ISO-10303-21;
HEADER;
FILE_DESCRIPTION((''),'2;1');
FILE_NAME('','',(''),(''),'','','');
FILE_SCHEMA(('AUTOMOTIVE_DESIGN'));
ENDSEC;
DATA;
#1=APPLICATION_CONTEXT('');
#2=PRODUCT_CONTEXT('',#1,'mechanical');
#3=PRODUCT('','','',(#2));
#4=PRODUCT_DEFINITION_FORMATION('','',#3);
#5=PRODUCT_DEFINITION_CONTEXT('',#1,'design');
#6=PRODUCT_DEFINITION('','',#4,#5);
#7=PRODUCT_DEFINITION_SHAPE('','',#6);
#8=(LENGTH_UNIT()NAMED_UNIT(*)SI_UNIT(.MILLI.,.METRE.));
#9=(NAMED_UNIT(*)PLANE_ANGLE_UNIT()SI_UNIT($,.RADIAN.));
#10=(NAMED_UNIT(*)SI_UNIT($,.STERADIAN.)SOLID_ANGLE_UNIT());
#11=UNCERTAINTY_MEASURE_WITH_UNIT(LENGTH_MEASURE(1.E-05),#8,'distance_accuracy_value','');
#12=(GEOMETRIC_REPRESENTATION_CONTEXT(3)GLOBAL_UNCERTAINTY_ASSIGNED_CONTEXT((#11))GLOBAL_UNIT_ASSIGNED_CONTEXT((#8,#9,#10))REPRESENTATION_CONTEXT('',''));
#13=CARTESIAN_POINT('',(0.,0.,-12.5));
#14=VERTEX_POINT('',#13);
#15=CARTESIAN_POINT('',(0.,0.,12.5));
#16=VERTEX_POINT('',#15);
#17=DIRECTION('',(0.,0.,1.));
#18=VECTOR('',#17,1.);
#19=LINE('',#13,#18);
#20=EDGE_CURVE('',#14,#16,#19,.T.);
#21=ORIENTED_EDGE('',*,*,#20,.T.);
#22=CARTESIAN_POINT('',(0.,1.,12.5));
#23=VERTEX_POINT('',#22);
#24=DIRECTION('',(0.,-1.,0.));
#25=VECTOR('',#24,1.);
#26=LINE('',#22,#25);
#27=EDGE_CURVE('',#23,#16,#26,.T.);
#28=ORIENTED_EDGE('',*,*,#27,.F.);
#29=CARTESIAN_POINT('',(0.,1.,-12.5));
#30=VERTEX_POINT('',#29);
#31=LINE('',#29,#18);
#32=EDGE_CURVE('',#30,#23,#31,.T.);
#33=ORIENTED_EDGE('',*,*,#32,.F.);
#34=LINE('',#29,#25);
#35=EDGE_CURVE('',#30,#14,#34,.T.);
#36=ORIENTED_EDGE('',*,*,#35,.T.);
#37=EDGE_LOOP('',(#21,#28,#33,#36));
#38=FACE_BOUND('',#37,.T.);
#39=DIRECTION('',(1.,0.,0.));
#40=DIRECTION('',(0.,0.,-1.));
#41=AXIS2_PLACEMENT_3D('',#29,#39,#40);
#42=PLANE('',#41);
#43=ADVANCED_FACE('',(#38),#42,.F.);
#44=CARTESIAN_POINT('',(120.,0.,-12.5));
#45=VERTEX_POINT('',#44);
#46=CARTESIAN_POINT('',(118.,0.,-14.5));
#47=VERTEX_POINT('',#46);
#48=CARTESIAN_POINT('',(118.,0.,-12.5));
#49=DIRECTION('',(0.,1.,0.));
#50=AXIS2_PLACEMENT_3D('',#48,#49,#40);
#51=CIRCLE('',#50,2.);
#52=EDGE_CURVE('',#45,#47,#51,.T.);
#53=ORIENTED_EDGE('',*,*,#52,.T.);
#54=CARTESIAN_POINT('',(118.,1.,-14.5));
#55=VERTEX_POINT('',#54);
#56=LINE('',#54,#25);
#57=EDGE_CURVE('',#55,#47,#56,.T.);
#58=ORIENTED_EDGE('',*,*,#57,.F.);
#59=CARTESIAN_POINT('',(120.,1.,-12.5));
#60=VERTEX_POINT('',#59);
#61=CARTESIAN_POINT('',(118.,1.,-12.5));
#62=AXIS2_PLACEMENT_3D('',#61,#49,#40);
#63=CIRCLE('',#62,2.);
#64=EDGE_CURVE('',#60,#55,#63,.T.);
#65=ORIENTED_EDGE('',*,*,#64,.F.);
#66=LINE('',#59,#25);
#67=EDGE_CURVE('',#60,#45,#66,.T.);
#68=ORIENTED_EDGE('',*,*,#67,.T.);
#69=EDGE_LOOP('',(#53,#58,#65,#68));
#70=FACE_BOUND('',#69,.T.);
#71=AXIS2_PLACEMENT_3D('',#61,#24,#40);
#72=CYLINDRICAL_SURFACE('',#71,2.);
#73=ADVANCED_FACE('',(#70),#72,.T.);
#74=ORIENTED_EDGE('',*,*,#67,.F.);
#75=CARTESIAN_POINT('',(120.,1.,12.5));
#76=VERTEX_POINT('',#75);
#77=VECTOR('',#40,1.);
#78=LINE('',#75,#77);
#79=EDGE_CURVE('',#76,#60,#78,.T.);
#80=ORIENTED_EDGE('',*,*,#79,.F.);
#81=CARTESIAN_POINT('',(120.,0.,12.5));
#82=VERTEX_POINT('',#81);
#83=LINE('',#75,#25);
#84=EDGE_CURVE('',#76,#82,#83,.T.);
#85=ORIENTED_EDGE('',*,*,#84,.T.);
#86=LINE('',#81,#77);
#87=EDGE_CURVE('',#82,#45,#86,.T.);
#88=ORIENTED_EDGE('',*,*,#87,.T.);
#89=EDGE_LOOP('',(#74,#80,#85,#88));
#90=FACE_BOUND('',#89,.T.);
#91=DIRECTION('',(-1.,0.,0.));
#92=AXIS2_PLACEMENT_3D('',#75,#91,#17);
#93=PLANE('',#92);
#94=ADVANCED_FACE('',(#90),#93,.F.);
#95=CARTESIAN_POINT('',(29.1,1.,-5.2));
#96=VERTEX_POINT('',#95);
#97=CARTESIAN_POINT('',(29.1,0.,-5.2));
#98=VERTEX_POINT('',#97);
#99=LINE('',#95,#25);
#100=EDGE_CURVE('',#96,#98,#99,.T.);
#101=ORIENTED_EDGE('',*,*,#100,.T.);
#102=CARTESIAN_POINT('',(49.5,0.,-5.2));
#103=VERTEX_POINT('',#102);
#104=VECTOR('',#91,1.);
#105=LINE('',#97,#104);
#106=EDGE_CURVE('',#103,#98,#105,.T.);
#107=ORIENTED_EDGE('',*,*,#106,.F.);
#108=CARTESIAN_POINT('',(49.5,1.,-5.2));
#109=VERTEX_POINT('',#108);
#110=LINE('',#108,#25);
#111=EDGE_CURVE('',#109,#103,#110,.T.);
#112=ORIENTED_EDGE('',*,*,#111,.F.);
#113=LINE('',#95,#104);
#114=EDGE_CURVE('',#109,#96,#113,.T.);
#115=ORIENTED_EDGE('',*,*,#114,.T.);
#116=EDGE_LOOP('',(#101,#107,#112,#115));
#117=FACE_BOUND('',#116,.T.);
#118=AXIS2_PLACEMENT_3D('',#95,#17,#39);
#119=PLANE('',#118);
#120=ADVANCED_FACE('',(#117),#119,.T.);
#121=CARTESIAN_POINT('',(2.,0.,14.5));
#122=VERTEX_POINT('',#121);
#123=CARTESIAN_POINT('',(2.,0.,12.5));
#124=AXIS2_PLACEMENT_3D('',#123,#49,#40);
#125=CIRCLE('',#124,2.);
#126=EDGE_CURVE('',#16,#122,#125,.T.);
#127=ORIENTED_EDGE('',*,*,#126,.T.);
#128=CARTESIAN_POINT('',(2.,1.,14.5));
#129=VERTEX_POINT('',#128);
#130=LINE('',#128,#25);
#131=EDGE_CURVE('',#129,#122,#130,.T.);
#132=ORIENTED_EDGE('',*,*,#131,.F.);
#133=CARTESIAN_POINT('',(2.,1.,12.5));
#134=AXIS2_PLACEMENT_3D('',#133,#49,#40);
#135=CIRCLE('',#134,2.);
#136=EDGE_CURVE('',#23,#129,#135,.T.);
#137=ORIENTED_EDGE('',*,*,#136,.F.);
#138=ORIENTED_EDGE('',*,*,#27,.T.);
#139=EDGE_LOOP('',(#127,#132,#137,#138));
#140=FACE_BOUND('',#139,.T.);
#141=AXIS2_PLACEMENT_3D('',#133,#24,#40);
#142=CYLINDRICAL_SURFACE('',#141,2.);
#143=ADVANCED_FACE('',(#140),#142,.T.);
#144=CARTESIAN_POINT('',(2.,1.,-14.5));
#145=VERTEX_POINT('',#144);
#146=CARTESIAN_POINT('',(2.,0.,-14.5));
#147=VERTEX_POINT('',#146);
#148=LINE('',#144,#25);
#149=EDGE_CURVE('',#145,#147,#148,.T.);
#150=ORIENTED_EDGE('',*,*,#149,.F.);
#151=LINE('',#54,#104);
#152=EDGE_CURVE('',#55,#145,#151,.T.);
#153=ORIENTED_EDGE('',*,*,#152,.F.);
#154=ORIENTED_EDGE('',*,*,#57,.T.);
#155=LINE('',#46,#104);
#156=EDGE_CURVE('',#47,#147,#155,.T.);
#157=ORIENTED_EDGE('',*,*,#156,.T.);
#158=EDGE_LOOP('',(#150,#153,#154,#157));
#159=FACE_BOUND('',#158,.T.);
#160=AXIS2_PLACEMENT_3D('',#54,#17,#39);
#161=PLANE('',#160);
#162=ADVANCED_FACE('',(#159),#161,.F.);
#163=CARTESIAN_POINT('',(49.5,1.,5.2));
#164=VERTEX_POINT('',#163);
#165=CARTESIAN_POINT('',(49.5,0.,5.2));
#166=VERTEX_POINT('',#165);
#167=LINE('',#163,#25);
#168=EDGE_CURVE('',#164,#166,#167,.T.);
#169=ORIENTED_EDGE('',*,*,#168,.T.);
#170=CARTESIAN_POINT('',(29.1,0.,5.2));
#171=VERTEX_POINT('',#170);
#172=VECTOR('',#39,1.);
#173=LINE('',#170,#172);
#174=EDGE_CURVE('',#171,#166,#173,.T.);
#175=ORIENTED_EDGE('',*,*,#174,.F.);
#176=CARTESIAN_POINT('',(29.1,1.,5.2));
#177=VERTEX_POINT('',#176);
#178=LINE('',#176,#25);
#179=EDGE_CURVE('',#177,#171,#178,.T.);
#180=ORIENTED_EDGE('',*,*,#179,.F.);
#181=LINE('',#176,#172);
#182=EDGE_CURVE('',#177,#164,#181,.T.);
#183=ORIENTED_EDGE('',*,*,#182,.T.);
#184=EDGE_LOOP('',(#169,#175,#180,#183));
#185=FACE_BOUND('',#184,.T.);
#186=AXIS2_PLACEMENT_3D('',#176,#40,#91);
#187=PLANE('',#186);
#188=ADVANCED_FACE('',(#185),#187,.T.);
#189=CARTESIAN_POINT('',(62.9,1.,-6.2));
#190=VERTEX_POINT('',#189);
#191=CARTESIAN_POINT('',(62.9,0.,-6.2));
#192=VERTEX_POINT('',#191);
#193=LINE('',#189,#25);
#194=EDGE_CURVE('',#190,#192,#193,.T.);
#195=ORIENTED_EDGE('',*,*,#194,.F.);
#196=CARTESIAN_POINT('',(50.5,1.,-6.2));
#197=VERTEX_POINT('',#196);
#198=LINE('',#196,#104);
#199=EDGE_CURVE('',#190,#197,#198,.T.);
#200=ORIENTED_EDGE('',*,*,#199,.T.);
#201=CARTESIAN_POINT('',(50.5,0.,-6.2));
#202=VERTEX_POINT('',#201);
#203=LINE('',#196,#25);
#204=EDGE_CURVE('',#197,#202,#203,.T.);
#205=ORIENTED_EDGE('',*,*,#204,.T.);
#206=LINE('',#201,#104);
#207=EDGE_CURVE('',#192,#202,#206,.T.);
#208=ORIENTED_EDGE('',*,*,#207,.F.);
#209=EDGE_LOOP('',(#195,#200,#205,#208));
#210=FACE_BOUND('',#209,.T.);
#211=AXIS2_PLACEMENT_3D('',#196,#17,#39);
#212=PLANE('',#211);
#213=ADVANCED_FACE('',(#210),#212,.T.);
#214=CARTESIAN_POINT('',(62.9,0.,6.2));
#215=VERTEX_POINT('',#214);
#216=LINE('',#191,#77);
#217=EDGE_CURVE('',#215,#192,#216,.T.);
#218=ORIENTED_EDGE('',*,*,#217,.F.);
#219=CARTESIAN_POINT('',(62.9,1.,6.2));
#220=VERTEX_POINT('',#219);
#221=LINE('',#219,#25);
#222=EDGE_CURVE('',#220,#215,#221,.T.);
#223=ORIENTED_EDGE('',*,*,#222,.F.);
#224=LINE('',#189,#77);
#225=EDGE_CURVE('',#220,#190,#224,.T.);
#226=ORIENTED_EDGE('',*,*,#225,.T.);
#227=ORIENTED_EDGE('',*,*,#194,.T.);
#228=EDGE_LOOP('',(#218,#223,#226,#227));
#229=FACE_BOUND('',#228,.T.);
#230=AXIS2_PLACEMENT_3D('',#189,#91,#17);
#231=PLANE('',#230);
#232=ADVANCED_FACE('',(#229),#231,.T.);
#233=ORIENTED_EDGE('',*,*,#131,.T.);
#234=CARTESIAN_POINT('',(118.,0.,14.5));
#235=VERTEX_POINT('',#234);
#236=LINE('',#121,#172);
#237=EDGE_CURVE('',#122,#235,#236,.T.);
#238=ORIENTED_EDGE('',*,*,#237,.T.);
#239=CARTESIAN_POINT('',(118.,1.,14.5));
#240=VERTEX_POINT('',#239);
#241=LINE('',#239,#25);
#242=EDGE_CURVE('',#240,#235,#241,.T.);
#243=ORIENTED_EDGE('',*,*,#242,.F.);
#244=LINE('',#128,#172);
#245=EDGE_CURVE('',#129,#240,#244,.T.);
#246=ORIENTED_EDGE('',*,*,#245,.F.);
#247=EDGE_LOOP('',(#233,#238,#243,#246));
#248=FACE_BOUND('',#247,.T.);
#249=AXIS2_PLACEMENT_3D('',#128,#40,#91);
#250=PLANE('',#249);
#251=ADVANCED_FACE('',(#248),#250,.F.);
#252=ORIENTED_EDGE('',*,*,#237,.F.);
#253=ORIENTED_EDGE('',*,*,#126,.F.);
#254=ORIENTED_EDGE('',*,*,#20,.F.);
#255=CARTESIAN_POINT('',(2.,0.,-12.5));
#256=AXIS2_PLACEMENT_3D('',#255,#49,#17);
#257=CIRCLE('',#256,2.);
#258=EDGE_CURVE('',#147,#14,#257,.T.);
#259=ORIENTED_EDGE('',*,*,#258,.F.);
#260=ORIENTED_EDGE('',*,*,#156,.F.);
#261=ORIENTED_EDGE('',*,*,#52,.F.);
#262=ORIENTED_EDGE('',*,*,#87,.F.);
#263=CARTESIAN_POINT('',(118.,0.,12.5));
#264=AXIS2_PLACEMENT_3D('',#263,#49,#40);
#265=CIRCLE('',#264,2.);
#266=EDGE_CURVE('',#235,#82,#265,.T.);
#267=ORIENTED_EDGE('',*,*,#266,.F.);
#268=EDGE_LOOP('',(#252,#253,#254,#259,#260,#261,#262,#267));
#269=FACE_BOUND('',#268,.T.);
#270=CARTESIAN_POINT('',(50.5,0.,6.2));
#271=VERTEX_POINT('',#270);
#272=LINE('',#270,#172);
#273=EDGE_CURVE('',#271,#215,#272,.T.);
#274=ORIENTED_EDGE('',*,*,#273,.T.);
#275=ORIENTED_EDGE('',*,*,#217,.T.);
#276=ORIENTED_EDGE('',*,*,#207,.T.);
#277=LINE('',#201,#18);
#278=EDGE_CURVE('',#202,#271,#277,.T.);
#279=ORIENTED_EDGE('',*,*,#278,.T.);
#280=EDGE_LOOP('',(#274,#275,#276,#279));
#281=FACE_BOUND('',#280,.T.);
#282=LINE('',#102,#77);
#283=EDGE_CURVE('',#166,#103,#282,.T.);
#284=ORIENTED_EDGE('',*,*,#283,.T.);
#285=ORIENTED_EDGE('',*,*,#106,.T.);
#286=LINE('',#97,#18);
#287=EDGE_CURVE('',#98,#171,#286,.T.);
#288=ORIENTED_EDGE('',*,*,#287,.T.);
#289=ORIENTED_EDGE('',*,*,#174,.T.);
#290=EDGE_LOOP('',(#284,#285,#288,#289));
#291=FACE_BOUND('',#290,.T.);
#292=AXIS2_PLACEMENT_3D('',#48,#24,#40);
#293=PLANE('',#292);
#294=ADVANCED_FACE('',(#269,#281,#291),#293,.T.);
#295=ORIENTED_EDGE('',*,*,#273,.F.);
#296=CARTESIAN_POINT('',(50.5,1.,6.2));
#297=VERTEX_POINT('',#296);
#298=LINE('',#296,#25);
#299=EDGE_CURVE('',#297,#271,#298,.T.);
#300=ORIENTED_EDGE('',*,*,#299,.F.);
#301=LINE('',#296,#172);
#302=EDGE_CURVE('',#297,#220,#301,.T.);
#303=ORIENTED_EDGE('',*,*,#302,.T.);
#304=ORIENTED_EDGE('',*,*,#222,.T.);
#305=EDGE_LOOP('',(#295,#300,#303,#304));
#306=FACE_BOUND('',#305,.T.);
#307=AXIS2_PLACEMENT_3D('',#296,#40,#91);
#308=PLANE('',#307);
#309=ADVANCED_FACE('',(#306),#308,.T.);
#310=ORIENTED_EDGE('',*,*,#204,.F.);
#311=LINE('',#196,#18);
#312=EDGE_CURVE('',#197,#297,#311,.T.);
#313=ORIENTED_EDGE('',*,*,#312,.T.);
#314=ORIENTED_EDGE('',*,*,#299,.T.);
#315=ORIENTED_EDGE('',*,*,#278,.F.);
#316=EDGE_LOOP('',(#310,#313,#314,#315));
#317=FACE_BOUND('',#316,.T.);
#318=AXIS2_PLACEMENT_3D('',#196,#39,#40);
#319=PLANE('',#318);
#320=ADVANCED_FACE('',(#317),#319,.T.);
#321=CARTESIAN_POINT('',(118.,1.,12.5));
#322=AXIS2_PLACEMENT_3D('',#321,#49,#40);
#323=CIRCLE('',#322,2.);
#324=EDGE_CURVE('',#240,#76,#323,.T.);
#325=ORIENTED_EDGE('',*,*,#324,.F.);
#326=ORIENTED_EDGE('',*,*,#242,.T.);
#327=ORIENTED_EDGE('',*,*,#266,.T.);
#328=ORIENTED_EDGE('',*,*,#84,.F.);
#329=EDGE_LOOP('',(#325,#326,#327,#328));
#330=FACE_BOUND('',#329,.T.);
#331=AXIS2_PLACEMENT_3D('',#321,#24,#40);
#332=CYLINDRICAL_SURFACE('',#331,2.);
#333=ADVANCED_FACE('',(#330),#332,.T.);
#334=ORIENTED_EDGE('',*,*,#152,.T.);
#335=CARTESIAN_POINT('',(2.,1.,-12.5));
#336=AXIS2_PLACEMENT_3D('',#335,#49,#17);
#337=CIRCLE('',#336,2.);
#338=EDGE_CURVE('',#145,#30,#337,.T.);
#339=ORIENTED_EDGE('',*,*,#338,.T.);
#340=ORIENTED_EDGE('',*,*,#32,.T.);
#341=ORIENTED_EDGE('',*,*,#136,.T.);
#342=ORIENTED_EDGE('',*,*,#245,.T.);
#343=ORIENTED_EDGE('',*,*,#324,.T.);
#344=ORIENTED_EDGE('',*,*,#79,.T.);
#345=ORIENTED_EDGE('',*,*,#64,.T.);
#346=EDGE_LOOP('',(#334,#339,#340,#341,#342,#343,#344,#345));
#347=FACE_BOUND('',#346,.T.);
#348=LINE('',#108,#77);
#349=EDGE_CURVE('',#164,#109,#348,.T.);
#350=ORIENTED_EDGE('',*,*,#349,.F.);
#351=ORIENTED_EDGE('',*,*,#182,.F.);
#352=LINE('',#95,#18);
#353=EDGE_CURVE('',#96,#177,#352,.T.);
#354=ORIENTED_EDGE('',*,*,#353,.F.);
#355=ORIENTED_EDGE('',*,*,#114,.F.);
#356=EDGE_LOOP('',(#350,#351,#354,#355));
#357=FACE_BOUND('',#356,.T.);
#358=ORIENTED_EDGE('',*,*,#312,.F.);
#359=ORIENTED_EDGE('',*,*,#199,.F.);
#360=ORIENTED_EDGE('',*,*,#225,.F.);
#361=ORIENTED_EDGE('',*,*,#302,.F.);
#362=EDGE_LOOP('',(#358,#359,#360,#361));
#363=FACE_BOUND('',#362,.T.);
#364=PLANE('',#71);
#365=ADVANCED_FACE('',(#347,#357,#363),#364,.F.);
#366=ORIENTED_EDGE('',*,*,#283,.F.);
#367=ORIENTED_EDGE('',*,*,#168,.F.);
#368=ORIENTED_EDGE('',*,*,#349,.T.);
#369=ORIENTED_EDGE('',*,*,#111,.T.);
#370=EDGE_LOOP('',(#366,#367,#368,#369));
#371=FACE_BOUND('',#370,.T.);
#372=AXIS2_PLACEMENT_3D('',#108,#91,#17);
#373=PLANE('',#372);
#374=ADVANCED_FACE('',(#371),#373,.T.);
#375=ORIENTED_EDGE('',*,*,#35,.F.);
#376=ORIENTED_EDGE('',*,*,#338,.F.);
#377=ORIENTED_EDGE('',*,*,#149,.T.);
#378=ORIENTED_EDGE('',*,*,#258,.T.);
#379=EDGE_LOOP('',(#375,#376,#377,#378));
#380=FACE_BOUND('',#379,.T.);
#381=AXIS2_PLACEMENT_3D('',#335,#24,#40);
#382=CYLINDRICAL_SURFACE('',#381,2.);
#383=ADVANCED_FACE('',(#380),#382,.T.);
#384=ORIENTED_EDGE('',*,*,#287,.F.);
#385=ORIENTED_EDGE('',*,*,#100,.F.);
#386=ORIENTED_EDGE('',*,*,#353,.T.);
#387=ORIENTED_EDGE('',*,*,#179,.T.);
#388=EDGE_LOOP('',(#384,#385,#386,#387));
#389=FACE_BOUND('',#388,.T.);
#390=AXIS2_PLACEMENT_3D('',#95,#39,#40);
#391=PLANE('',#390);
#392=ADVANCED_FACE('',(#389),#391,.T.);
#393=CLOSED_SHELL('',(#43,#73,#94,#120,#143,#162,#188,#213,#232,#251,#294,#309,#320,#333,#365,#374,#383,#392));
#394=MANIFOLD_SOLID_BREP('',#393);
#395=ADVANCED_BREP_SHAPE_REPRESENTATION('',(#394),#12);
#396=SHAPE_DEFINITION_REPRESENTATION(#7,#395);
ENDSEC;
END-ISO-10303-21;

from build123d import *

# Parameters (mm, degrees)
SKETCH2_W           = 20.4
SKETCH2_H           = 10.4
SKETCH2_W_2         = 12.4
SKETCH2_H_2         = 12.4
BOSS_EXTRUDE1_DEPTH = 1


with BuildPart() as part:
    # Sketch2 → Boss-Extrude1 (new body)
    with BuildSketch(Plane(origin=(0, 0, 0), x_dir=(1, 0, 0), z_dir=(0, 1, 0))):
        with BuildLine():
            Line((0, 12.5), (0, -12.5))
            ThreePointArc((0, -12.5), (0.585786438, -13.914213562), (2, -14.5))
            Line((2, -14.5), (118, -14.5))
            ThreePointArc((118, -14.5), (119.414213562, -13.914213562), (120, -12.5))
            Line((120, -12.5), (120, 12.5))
            ThreePointArc((120, 12.5), (119.414213562, 13.914213562), (118, 14.5))
            Line((118, 14.5), (2, 14.5))
            ThreePointArc((2, 14.5), (0.585786438, 13.914213562), (0, 12.5))
        make_face()
        with Locations((39.3, 0)):
            Rectangle(SKETCH2_W, SKETCH2_H, mode=Mode.SUBTRACT)
        with Locations((56.7, 0)):
            Rectangle(SKETCH2_W_2, SKETCH2_H_2, mode=Mode.SUBTRACT)
    extrude(amount=BOSS_EXTRUDE1_DEPTH)


solid = part.part
